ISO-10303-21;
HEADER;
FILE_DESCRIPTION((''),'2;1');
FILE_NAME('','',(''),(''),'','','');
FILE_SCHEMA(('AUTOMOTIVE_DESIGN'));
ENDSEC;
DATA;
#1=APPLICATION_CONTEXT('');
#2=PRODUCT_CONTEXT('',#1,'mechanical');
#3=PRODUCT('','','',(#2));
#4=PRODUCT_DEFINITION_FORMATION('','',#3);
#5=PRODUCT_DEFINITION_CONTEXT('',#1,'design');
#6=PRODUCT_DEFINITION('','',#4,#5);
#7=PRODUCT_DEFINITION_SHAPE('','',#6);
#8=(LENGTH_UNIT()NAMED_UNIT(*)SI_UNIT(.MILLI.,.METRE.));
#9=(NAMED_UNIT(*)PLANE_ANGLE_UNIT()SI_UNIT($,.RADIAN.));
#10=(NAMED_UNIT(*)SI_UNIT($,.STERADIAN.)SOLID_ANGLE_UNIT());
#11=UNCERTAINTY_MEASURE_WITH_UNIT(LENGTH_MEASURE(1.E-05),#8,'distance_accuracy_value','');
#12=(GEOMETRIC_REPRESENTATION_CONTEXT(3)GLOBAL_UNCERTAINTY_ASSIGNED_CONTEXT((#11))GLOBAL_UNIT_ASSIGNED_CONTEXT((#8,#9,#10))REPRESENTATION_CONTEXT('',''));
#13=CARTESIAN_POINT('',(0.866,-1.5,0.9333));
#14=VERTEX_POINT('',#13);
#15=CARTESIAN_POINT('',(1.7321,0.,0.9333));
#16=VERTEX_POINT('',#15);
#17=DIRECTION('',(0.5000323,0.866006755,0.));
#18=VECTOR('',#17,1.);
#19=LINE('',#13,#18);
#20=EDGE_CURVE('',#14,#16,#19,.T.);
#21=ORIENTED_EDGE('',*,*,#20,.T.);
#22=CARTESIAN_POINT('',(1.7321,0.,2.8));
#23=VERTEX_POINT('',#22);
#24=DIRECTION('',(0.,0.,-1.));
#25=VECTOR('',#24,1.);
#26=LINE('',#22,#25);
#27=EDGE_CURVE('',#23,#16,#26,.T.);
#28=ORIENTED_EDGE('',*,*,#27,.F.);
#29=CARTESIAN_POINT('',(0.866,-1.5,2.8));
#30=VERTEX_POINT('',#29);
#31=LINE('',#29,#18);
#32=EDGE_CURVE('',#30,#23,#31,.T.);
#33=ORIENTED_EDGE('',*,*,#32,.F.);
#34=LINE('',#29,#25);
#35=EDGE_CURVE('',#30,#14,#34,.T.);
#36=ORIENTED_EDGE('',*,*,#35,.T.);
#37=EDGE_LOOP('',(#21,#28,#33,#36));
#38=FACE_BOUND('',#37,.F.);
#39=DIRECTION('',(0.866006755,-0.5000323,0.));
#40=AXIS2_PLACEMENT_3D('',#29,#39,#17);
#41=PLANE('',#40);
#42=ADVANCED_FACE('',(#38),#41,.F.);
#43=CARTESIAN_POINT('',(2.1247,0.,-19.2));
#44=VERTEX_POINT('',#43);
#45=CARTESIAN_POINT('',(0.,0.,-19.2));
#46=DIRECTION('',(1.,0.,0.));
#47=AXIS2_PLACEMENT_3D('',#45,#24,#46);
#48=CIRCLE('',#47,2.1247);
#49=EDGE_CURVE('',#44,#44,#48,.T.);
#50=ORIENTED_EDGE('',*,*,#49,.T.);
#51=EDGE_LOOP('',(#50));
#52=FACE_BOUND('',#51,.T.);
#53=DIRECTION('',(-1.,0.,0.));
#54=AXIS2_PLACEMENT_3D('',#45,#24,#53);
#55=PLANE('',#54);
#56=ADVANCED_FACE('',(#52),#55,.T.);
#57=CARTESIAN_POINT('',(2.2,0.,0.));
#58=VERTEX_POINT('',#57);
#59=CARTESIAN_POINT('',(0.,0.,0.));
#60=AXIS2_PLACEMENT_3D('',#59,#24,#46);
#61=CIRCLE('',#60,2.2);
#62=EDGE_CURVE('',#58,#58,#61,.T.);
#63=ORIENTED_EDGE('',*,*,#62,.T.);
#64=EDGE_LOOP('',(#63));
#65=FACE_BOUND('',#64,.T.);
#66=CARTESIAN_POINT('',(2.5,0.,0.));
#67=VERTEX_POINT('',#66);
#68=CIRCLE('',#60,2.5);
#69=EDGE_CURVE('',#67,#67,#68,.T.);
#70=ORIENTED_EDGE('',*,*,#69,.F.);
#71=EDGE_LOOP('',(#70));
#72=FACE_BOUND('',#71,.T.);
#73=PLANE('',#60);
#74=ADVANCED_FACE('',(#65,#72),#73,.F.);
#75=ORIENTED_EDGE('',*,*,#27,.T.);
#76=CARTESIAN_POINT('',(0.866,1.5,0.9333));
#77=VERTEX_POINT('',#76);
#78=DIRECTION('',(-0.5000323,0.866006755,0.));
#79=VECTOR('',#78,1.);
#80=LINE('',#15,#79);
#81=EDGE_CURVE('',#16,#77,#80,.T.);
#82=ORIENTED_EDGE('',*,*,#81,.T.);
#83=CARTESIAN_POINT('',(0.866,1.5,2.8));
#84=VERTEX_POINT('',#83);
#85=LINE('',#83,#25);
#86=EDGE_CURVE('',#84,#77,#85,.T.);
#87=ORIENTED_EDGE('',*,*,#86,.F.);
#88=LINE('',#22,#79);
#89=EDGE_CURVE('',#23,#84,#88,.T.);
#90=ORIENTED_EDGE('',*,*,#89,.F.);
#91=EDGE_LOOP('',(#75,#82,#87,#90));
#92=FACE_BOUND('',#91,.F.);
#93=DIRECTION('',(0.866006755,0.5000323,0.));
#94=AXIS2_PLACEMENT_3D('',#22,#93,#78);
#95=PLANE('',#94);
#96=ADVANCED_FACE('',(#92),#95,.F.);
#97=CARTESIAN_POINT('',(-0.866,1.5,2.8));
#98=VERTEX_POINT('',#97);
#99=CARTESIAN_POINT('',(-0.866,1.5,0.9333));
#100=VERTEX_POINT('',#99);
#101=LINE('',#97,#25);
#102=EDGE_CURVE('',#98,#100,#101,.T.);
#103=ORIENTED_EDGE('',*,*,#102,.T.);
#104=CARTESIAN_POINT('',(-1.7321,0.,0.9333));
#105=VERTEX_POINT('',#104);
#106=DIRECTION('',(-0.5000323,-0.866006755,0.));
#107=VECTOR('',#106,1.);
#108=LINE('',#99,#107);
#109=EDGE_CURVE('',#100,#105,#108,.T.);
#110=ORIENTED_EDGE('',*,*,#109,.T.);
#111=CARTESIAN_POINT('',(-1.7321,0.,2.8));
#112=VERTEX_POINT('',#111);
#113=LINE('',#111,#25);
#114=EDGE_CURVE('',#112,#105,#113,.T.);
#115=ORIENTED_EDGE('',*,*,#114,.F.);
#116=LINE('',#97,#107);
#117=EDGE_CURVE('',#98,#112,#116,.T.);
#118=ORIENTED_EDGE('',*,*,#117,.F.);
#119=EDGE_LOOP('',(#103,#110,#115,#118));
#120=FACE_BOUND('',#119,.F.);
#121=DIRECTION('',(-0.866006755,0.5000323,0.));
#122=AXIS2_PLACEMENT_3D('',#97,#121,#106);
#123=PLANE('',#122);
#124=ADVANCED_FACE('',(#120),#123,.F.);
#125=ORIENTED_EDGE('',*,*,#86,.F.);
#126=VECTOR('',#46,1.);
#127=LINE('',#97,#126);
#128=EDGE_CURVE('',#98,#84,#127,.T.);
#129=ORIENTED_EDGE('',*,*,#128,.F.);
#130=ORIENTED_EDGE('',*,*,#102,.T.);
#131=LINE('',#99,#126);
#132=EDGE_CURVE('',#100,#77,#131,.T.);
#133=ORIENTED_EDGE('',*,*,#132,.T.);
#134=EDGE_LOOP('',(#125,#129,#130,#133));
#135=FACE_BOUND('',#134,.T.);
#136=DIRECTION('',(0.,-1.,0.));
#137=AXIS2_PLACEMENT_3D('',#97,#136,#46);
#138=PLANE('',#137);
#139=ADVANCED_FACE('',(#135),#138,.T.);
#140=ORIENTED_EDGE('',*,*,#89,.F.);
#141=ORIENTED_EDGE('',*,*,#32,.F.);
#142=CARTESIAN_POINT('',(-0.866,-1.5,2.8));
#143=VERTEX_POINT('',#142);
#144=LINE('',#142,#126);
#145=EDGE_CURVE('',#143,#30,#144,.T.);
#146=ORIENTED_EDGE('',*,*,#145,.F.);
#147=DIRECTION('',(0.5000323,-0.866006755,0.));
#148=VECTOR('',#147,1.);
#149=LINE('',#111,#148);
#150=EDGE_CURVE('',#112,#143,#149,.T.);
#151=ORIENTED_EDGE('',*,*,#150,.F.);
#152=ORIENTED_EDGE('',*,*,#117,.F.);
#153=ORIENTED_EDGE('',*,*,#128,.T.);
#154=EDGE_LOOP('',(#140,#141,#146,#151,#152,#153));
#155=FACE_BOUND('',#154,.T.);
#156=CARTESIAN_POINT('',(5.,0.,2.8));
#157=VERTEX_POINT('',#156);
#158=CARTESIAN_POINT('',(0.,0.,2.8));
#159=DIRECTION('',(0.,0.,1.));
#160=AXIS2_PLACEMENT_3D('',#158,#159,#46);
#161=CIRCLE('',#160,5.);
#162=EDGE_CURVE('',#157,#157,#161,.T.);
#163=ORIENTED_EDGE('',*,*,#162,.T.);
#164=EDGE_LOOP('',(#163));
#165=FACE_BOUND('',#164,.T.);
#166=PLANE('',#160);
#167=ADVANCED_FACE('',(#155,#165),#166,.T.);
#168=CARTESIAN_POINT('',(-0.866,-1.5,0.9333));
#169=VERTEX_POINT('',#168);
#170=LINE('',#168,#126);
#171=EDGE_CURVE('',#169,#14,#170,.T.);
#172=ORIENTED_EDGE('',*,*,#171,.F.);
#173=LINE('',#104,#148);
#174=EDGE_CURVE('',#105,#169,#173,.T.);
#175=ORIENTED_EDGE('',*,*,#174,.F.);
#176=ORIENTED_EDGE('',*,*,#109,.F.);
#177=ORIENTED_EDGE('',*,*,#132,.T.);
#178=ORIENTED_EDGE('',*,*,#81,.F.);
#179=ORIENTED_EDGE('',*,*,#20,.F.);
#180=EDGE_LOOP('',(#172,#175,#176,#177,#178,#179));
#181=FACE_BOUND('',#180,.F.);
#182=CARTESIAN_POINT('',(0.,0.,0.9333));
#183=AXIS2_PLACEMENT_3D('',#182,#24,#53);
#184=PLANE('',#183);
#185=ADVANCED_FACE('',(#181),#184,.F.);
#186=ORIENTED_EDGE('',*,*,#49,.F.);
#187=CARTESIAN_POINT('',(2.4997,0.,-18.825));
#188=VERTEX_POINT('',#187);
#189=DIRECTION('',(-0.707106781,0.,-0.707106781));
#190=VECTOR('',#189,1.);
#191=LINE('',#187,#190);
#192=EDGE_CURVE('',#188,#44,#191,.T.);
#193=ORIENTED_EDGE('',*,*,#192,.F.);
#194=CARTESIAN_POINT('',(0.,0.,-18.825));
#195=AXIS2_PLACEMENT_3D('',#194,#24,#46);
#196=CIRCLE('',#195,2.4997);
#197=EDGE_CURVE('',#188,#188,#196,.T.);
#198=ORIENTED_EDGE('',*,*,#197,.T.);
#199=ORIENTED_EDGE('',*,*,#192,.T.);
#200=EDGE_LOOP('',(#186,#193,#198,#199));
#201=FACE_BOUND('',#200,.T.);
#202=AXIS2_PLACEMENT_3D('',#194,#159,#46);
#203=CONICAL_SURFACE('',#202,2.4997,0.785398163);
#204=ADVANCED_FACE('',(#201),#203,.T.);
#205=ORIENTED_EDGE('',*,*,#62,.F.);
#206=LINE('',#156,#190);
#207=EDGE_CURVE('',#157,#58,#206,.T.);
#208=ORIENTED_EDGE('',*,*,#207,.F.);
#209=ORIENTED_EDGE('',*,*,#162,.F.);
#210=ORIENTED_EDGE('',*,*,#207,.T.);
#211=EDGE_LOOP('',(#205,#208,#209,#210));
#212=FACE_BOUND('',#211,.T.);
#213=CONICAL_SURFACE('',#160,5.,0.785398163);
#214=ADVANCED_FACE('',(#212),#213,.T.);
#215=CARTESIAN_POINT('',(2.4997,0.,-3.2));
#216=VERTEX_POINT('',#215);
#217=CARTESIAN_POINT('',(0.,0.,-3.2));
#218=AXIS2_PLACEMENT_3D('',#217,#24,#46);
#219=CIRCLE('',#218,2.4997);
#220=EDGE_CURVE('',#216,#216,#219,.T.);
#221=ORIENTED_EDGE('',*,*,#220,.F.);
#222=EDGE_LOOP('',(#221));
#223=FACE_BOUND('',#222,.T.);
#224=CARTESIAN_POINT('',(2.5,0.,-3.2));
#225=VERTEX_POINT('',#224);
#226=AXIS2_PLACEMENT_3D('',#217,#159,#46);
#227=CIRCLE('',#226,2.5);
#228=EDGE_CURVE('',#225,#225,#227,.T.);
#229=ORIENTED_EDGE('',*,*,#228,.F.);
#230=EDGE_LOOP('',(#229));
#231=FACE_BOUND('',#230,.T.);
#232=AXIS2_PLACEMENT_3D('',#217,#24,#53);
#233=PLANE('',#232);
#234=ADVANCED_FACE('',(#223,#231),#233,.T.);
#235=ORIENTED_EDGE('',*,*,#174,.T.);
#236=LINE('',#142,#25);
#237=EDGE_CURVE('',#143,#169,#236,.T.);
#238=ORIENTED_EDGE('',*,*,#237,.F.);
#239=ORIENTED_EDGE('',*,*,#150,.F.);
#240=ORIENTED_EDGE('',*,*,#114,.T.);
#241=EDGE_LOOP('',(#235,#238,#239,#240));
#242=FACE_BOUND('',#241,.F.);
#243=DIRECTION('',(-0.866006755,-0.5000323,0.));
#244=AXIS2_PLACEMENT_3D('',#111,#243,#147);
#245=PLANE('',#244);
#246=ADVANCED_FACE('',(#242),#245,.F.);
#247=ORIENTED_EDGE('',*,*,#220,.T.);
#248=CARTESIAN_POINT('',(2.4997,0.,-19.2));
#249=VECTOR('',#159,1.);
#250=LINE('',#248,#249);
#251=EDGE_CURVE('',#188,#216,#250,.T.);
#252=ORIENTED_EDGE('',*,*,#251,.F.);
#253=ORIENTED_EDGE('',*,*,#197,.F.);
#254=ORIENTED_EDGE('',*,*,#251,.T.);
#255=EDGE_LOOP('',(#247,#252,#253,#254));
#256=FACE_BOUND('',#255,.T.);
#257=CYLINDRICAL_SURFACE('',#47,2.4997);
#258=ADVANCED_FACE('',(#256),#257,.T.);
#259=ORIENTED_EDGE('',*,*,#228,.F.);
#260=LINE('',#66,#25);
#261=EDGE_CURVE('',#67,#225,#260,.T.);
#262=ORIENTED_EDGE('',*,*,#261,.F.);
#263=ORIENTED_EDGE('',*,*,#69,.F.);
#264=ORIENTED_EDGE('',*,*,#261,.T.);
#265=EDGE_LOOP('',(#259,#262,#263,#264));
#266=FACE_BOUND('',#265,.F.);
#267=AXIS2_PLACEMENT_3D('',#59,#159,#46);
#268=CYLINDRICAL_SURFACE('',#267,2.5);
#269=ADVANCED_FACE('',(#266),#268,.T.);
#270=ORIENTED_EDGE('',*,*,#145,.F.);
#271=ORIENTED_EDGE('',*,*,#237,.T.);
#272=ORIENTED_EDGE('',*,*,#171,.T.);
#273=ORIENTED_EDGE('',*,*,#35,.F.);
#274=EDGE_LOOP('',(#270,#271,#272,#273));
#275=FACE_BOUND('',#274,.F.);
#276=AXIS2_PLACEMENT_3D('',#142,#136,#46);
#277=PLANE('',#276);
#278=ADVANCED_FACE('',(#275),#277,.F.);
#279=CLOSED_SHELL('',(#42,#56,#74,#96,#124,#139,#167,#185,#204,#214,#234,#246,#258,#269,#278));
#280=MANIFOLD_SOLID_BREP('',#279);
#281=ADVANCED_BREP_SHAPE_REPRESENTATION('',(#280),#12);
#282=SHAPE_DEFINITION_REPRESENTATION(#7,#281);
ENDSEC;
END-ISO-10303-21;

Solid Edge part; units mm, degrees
sketch "Sketch1" plane through (0, 0, 0) normal (0, 0, 1) x (1, 0, 0)
  circle A0 centre (0, 0) radius 5
  dimension "D1" = 10
extrude "Protrusion1" add sketch "Sketch1" along normal blind 2.8
sketch "Sketch2" plane through (0, 0, 0) normal (0, 0, -1) x (1, 0, 0)
  circle A0 centre (0, 0) radius 2.5
extrude "Protrusion2" add sketch "Sketch2" along normal blind 19.2
sketch "Sketch3" plane through (0, 0, -19.2) normal (0, 0, -1) x (1, 0, 0)
  circle A0 centre (0, 0) radius 2.4997
extrude "Cutout1" cut sketch "Sketch3" against normal blind 16 flip side to cut
chamfer "Chamfer_1" distance 0.375 angle 45 1 edges at (-2.4997, 0, -19.2)
sketch "Sketch4" plane through (0, 0, 2.8) normal (0, 0, 1) x (1, 0, 0)
  line L0 (-0.866, 1.5) -> (0.866, 1.5)
  line L1 (1.7321, 0) -> (0.866, 1.5)
  line L2 (0.866, -1.5) -> (1.7321, 0)
  line L3 (-0.866, -1.5) -> (0.866, -1.5)
  line L4 (-1.7321, 0) -> (-0.866, -1.5)
  line L5 (-0.866, 1.5) -> (-1.7321, 0)
  dimension "D1" = 3
extrude "Cutout2" cut sketch "Sketch4" against normal blind 1.8667
sketch "Sketch5" plane through (0, 0, 0) normal (0, -1, 0) x (1, 0, 0)
  line L0 (5, 2.8) -> (2.2, 0)
  line L1 (2.2, 0) -> (5, 0)
  line L2 (5, 0) -> (5, 2.8)
revolve "RevolvedCutout1" cut sketch "Sketch5" angle 360 about axis through (0, 0, 14.0017) along (0, 0, -1)
properties part number "24106135"
